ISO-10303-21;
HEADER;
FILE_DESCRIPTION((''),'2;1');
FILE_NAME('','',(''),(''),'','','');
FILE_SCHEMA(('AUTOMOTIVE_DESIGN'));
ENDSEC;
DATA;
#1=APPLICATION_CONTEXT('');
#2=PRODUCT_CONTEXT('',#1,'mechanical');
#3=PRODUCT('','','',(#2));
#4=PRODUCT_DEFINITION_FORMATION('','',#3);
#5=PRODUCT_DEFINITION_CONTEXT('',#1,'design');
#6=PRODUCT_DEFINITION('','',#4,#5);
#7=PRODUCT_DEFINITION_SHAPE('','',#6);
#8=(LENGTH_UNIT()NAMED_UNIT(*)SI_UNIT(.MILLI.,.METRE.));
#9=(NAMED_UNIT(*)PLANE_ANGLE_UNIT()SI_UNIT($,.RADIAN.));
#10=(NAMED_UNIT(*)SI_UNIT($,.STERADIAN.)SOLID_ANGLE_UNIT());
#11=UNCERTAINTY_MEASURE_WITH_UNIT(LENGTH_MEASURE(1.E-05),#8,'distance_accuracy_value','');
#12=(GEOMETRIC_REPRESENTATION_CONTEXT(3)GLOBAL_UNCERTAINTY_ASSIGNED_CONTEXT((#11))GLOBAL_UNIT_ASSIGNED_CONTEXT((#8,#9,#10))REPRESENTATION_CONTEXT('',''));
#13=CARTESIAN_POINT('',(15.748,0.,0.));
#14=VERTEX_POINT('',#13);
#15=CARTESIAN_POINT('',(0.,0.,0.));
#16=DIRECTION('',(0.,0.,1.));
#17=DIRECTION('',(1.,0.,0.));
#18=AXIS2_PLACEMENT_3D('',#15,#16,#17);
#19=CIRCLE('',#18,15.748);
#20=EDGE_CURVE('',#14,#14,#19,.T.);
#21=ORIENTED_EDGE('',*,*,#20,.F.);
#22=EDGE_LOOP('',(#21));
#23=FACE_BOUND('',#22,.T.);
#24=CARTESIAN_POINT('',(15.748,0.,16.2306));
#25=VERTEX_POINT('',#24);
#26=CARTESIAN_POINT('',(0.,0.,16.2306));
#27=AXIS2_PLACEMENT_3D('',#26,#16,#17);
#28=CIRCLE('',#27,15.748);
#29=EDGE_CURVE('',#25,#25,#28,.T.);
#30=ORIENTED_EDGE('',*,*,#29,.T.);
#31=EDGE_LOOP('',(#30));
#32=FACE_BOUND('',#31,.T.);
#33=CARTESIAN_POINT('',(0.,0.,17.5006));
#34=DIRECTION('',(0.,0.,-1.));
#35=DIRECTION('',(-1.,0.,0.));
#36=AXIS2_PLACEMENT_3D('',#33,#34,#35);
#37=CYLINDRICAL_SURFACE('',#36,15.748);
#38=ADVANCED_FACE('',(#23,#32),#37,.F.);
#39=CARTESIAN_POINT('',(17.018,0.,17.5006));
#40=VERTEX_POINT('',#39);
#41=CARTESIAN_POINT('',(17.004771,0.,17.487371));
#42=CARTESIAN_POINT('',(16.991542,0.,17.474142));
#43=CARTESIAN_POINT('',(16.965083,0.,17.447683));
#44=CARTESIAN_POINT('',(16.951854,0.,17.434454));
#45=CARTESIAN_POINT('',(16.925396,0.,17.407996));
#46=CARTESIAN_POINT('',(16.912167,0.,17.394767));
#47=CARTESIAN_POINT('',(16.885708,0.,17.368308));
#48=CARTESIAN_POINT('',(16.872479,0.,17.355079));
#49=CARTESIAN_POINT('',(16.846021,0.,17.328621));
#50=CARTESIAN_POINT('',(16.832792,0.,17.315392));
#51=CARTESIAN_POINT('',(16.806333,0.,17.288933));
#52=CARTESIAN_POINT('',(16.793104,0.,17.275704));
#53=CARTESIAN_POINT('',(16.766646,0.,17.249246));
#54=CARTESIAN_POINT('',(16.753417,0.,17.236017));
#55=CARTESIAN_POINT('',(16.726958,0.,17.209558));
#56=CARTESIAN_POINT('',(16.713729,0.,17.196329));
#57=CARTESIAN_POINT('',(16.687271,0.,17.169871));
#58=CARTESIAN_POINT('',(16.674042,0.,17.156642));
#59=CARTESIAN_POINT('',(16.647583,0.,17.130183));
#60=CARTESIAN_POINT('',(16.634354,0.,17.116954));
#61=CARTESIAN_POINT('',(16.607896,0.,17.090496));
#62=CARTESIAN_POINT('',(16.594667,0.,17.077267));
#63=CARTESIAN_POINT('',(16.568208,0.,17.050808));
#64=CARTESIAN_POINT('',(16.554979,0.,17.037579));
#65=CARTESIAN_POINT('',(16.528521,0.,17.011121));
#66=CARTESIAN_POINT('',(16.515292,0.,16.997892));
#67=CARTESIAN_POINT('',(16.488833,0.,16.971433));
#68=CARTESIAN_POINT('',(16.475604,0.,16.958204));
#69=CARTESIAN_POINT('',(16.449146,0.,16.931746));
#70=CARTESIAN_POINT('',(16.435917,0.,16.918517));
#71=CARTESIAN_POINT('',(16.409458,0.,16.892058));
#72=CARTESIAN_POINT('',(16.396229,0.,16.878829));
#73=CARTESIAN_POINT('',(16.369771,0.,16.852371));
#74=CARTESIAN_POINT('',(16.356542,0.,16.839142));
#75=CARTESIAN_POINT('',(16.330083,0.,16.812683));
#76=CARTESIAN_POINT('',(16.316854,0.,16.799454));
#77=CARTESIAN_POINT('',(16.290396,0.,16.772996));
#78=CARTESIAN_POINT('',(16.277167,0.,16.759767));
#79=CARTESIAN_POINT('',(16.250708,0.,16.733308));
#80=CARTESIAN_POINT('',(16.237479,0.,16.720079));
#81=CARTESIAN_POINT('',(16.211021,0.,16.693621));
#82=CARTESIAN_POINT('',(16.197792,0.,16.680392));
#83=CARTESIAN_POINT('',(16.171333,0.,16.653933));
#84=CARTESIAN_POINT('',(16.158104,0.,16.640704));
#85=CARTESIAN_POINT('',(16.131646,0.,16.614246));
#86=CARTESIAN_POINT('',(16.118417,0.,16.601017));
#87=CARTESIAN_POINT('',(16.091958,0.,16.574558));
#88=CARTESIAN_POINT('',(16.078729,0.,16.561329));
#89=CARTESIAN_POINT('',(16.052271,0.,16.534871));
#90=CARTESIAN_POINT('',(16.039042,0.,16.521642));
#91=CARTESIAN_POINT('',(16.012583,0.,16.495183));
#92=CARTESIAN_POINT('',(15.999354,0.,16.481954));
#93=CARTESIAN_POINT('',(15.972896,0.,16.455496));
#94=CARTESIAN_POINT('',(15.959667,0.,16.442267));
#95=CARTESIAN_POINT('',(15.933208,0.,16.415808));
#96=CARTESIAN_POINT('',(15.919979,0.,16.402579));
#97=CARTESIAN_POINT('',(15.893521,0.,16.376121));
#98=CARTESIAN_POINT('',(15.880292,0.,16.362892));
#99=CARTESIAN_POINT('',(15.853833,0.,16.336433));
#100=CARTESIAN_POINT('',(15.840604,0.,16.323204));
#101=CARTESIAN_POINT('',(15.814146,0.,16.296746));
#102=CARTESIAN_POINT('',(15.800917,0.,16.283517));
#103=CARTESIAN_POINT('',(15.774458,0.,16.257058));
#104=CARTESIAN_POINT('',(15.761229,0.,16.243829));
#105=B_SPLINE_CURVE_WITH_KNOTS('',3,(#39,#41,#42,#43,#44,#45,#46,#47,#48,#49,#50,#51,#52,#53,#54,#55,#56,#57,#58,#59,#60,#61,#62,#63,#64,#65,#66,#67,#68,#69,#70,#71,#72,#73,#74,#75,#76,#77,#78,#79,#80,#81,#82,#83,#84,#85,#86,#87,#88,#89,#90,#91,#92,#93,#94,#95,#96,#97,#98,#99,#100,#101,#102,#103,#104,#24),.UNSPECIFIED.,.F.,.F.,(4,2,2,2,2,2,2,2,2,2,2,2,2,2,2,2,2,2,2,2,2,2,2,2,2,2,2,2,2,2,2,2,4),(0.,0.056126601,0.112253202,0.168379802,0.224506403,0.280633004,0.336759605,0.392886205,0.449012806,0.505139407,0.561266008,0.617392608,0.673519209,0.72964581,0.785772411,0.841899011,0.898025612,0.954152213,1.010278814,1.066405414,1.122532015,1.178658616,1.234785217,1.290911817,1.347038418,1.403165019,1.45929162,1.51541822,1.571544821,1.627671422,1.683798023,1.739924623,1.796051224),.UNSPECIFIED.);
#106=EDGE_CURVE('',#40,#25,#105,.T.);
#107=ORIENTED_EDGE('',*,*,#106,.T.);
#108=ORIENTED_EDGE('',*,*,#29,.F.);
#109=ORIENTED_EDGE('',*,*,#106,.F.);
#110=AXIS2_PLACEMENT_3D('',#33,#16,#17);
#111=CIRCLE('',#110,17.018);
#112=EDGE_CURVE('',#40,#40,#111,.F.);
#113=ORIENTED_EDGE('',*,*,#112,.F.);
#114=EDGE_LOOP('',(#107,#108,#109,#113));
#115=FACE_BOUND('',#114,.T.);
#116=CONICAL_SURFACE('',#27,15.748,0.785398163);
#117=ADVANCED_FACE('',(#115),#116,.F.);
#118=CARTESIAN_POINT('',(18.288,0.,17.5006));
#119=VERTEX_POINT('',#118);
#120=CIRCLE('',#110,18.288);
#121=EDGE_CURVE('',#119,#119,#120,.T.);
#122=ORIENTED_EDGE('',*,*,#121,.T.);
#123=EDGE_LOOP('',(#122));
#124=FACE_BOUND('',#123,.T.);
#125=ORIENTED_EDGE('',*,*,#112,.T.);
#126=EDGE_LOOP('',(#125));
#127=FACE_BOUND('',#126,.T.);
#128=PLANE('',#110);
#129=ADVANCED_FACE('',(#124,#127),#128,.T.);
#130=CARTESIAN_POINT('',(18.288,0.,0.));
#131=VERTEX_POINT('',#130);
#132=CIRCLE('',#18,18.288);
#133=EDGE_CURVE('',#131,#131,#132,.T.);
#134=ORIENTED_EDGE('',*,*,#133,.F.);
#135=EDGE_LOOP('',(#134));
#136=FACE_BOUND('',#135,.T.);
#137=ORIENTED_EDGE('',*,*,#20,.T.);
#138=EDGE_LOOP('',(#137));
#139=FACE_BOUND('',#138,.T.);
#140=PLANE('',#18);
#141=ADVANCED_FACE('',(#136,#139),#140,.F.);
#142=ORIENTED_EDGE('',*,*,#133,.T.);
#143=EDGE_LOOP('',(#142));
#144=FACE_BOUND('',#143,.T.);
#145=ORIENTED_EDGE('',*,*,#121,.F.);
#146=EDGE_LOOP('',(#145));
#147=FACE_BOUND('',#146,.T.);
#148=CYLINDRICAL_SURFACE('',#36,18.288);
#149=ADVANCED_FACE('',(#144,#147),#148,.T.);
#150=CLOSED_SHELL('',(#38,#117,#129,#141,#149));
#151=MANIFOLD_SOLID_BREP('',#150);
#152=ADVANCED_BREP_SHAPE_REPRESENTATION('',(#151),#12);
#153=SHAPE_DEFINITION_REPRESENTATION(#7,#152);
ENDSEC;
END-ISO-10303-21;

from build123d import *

# Parameters (mm, degrees)
SKETCH2_R           = 18.288
SKETCH2_R_2         = 15.748
BOSS_EXTRUDE1_DEPTH = 17.5006
CHAMFER1_SIZE       = 1.27


with BuildPart() as part:
    # Sketch2 → Boss-Extrude1 (new body)
    with BuildSketch(Plane.XY):
        Circle(SKETCH2_R)
        Circle(SKETCH2_R_2, mode=Mode.SUBTRACT)
    extrude(amount=BOSS_EXTRUDE1_DEPTH)

    # Chamfer1
    chamfer1_edges = [part.edges().sort_by_distance(p)[0] for p in [
        (-15.748, 0, 17.5006),
    ]]
    chamfer(chamfer1_edges, length=CHAMFER1_SIZE)


solid = part.part
